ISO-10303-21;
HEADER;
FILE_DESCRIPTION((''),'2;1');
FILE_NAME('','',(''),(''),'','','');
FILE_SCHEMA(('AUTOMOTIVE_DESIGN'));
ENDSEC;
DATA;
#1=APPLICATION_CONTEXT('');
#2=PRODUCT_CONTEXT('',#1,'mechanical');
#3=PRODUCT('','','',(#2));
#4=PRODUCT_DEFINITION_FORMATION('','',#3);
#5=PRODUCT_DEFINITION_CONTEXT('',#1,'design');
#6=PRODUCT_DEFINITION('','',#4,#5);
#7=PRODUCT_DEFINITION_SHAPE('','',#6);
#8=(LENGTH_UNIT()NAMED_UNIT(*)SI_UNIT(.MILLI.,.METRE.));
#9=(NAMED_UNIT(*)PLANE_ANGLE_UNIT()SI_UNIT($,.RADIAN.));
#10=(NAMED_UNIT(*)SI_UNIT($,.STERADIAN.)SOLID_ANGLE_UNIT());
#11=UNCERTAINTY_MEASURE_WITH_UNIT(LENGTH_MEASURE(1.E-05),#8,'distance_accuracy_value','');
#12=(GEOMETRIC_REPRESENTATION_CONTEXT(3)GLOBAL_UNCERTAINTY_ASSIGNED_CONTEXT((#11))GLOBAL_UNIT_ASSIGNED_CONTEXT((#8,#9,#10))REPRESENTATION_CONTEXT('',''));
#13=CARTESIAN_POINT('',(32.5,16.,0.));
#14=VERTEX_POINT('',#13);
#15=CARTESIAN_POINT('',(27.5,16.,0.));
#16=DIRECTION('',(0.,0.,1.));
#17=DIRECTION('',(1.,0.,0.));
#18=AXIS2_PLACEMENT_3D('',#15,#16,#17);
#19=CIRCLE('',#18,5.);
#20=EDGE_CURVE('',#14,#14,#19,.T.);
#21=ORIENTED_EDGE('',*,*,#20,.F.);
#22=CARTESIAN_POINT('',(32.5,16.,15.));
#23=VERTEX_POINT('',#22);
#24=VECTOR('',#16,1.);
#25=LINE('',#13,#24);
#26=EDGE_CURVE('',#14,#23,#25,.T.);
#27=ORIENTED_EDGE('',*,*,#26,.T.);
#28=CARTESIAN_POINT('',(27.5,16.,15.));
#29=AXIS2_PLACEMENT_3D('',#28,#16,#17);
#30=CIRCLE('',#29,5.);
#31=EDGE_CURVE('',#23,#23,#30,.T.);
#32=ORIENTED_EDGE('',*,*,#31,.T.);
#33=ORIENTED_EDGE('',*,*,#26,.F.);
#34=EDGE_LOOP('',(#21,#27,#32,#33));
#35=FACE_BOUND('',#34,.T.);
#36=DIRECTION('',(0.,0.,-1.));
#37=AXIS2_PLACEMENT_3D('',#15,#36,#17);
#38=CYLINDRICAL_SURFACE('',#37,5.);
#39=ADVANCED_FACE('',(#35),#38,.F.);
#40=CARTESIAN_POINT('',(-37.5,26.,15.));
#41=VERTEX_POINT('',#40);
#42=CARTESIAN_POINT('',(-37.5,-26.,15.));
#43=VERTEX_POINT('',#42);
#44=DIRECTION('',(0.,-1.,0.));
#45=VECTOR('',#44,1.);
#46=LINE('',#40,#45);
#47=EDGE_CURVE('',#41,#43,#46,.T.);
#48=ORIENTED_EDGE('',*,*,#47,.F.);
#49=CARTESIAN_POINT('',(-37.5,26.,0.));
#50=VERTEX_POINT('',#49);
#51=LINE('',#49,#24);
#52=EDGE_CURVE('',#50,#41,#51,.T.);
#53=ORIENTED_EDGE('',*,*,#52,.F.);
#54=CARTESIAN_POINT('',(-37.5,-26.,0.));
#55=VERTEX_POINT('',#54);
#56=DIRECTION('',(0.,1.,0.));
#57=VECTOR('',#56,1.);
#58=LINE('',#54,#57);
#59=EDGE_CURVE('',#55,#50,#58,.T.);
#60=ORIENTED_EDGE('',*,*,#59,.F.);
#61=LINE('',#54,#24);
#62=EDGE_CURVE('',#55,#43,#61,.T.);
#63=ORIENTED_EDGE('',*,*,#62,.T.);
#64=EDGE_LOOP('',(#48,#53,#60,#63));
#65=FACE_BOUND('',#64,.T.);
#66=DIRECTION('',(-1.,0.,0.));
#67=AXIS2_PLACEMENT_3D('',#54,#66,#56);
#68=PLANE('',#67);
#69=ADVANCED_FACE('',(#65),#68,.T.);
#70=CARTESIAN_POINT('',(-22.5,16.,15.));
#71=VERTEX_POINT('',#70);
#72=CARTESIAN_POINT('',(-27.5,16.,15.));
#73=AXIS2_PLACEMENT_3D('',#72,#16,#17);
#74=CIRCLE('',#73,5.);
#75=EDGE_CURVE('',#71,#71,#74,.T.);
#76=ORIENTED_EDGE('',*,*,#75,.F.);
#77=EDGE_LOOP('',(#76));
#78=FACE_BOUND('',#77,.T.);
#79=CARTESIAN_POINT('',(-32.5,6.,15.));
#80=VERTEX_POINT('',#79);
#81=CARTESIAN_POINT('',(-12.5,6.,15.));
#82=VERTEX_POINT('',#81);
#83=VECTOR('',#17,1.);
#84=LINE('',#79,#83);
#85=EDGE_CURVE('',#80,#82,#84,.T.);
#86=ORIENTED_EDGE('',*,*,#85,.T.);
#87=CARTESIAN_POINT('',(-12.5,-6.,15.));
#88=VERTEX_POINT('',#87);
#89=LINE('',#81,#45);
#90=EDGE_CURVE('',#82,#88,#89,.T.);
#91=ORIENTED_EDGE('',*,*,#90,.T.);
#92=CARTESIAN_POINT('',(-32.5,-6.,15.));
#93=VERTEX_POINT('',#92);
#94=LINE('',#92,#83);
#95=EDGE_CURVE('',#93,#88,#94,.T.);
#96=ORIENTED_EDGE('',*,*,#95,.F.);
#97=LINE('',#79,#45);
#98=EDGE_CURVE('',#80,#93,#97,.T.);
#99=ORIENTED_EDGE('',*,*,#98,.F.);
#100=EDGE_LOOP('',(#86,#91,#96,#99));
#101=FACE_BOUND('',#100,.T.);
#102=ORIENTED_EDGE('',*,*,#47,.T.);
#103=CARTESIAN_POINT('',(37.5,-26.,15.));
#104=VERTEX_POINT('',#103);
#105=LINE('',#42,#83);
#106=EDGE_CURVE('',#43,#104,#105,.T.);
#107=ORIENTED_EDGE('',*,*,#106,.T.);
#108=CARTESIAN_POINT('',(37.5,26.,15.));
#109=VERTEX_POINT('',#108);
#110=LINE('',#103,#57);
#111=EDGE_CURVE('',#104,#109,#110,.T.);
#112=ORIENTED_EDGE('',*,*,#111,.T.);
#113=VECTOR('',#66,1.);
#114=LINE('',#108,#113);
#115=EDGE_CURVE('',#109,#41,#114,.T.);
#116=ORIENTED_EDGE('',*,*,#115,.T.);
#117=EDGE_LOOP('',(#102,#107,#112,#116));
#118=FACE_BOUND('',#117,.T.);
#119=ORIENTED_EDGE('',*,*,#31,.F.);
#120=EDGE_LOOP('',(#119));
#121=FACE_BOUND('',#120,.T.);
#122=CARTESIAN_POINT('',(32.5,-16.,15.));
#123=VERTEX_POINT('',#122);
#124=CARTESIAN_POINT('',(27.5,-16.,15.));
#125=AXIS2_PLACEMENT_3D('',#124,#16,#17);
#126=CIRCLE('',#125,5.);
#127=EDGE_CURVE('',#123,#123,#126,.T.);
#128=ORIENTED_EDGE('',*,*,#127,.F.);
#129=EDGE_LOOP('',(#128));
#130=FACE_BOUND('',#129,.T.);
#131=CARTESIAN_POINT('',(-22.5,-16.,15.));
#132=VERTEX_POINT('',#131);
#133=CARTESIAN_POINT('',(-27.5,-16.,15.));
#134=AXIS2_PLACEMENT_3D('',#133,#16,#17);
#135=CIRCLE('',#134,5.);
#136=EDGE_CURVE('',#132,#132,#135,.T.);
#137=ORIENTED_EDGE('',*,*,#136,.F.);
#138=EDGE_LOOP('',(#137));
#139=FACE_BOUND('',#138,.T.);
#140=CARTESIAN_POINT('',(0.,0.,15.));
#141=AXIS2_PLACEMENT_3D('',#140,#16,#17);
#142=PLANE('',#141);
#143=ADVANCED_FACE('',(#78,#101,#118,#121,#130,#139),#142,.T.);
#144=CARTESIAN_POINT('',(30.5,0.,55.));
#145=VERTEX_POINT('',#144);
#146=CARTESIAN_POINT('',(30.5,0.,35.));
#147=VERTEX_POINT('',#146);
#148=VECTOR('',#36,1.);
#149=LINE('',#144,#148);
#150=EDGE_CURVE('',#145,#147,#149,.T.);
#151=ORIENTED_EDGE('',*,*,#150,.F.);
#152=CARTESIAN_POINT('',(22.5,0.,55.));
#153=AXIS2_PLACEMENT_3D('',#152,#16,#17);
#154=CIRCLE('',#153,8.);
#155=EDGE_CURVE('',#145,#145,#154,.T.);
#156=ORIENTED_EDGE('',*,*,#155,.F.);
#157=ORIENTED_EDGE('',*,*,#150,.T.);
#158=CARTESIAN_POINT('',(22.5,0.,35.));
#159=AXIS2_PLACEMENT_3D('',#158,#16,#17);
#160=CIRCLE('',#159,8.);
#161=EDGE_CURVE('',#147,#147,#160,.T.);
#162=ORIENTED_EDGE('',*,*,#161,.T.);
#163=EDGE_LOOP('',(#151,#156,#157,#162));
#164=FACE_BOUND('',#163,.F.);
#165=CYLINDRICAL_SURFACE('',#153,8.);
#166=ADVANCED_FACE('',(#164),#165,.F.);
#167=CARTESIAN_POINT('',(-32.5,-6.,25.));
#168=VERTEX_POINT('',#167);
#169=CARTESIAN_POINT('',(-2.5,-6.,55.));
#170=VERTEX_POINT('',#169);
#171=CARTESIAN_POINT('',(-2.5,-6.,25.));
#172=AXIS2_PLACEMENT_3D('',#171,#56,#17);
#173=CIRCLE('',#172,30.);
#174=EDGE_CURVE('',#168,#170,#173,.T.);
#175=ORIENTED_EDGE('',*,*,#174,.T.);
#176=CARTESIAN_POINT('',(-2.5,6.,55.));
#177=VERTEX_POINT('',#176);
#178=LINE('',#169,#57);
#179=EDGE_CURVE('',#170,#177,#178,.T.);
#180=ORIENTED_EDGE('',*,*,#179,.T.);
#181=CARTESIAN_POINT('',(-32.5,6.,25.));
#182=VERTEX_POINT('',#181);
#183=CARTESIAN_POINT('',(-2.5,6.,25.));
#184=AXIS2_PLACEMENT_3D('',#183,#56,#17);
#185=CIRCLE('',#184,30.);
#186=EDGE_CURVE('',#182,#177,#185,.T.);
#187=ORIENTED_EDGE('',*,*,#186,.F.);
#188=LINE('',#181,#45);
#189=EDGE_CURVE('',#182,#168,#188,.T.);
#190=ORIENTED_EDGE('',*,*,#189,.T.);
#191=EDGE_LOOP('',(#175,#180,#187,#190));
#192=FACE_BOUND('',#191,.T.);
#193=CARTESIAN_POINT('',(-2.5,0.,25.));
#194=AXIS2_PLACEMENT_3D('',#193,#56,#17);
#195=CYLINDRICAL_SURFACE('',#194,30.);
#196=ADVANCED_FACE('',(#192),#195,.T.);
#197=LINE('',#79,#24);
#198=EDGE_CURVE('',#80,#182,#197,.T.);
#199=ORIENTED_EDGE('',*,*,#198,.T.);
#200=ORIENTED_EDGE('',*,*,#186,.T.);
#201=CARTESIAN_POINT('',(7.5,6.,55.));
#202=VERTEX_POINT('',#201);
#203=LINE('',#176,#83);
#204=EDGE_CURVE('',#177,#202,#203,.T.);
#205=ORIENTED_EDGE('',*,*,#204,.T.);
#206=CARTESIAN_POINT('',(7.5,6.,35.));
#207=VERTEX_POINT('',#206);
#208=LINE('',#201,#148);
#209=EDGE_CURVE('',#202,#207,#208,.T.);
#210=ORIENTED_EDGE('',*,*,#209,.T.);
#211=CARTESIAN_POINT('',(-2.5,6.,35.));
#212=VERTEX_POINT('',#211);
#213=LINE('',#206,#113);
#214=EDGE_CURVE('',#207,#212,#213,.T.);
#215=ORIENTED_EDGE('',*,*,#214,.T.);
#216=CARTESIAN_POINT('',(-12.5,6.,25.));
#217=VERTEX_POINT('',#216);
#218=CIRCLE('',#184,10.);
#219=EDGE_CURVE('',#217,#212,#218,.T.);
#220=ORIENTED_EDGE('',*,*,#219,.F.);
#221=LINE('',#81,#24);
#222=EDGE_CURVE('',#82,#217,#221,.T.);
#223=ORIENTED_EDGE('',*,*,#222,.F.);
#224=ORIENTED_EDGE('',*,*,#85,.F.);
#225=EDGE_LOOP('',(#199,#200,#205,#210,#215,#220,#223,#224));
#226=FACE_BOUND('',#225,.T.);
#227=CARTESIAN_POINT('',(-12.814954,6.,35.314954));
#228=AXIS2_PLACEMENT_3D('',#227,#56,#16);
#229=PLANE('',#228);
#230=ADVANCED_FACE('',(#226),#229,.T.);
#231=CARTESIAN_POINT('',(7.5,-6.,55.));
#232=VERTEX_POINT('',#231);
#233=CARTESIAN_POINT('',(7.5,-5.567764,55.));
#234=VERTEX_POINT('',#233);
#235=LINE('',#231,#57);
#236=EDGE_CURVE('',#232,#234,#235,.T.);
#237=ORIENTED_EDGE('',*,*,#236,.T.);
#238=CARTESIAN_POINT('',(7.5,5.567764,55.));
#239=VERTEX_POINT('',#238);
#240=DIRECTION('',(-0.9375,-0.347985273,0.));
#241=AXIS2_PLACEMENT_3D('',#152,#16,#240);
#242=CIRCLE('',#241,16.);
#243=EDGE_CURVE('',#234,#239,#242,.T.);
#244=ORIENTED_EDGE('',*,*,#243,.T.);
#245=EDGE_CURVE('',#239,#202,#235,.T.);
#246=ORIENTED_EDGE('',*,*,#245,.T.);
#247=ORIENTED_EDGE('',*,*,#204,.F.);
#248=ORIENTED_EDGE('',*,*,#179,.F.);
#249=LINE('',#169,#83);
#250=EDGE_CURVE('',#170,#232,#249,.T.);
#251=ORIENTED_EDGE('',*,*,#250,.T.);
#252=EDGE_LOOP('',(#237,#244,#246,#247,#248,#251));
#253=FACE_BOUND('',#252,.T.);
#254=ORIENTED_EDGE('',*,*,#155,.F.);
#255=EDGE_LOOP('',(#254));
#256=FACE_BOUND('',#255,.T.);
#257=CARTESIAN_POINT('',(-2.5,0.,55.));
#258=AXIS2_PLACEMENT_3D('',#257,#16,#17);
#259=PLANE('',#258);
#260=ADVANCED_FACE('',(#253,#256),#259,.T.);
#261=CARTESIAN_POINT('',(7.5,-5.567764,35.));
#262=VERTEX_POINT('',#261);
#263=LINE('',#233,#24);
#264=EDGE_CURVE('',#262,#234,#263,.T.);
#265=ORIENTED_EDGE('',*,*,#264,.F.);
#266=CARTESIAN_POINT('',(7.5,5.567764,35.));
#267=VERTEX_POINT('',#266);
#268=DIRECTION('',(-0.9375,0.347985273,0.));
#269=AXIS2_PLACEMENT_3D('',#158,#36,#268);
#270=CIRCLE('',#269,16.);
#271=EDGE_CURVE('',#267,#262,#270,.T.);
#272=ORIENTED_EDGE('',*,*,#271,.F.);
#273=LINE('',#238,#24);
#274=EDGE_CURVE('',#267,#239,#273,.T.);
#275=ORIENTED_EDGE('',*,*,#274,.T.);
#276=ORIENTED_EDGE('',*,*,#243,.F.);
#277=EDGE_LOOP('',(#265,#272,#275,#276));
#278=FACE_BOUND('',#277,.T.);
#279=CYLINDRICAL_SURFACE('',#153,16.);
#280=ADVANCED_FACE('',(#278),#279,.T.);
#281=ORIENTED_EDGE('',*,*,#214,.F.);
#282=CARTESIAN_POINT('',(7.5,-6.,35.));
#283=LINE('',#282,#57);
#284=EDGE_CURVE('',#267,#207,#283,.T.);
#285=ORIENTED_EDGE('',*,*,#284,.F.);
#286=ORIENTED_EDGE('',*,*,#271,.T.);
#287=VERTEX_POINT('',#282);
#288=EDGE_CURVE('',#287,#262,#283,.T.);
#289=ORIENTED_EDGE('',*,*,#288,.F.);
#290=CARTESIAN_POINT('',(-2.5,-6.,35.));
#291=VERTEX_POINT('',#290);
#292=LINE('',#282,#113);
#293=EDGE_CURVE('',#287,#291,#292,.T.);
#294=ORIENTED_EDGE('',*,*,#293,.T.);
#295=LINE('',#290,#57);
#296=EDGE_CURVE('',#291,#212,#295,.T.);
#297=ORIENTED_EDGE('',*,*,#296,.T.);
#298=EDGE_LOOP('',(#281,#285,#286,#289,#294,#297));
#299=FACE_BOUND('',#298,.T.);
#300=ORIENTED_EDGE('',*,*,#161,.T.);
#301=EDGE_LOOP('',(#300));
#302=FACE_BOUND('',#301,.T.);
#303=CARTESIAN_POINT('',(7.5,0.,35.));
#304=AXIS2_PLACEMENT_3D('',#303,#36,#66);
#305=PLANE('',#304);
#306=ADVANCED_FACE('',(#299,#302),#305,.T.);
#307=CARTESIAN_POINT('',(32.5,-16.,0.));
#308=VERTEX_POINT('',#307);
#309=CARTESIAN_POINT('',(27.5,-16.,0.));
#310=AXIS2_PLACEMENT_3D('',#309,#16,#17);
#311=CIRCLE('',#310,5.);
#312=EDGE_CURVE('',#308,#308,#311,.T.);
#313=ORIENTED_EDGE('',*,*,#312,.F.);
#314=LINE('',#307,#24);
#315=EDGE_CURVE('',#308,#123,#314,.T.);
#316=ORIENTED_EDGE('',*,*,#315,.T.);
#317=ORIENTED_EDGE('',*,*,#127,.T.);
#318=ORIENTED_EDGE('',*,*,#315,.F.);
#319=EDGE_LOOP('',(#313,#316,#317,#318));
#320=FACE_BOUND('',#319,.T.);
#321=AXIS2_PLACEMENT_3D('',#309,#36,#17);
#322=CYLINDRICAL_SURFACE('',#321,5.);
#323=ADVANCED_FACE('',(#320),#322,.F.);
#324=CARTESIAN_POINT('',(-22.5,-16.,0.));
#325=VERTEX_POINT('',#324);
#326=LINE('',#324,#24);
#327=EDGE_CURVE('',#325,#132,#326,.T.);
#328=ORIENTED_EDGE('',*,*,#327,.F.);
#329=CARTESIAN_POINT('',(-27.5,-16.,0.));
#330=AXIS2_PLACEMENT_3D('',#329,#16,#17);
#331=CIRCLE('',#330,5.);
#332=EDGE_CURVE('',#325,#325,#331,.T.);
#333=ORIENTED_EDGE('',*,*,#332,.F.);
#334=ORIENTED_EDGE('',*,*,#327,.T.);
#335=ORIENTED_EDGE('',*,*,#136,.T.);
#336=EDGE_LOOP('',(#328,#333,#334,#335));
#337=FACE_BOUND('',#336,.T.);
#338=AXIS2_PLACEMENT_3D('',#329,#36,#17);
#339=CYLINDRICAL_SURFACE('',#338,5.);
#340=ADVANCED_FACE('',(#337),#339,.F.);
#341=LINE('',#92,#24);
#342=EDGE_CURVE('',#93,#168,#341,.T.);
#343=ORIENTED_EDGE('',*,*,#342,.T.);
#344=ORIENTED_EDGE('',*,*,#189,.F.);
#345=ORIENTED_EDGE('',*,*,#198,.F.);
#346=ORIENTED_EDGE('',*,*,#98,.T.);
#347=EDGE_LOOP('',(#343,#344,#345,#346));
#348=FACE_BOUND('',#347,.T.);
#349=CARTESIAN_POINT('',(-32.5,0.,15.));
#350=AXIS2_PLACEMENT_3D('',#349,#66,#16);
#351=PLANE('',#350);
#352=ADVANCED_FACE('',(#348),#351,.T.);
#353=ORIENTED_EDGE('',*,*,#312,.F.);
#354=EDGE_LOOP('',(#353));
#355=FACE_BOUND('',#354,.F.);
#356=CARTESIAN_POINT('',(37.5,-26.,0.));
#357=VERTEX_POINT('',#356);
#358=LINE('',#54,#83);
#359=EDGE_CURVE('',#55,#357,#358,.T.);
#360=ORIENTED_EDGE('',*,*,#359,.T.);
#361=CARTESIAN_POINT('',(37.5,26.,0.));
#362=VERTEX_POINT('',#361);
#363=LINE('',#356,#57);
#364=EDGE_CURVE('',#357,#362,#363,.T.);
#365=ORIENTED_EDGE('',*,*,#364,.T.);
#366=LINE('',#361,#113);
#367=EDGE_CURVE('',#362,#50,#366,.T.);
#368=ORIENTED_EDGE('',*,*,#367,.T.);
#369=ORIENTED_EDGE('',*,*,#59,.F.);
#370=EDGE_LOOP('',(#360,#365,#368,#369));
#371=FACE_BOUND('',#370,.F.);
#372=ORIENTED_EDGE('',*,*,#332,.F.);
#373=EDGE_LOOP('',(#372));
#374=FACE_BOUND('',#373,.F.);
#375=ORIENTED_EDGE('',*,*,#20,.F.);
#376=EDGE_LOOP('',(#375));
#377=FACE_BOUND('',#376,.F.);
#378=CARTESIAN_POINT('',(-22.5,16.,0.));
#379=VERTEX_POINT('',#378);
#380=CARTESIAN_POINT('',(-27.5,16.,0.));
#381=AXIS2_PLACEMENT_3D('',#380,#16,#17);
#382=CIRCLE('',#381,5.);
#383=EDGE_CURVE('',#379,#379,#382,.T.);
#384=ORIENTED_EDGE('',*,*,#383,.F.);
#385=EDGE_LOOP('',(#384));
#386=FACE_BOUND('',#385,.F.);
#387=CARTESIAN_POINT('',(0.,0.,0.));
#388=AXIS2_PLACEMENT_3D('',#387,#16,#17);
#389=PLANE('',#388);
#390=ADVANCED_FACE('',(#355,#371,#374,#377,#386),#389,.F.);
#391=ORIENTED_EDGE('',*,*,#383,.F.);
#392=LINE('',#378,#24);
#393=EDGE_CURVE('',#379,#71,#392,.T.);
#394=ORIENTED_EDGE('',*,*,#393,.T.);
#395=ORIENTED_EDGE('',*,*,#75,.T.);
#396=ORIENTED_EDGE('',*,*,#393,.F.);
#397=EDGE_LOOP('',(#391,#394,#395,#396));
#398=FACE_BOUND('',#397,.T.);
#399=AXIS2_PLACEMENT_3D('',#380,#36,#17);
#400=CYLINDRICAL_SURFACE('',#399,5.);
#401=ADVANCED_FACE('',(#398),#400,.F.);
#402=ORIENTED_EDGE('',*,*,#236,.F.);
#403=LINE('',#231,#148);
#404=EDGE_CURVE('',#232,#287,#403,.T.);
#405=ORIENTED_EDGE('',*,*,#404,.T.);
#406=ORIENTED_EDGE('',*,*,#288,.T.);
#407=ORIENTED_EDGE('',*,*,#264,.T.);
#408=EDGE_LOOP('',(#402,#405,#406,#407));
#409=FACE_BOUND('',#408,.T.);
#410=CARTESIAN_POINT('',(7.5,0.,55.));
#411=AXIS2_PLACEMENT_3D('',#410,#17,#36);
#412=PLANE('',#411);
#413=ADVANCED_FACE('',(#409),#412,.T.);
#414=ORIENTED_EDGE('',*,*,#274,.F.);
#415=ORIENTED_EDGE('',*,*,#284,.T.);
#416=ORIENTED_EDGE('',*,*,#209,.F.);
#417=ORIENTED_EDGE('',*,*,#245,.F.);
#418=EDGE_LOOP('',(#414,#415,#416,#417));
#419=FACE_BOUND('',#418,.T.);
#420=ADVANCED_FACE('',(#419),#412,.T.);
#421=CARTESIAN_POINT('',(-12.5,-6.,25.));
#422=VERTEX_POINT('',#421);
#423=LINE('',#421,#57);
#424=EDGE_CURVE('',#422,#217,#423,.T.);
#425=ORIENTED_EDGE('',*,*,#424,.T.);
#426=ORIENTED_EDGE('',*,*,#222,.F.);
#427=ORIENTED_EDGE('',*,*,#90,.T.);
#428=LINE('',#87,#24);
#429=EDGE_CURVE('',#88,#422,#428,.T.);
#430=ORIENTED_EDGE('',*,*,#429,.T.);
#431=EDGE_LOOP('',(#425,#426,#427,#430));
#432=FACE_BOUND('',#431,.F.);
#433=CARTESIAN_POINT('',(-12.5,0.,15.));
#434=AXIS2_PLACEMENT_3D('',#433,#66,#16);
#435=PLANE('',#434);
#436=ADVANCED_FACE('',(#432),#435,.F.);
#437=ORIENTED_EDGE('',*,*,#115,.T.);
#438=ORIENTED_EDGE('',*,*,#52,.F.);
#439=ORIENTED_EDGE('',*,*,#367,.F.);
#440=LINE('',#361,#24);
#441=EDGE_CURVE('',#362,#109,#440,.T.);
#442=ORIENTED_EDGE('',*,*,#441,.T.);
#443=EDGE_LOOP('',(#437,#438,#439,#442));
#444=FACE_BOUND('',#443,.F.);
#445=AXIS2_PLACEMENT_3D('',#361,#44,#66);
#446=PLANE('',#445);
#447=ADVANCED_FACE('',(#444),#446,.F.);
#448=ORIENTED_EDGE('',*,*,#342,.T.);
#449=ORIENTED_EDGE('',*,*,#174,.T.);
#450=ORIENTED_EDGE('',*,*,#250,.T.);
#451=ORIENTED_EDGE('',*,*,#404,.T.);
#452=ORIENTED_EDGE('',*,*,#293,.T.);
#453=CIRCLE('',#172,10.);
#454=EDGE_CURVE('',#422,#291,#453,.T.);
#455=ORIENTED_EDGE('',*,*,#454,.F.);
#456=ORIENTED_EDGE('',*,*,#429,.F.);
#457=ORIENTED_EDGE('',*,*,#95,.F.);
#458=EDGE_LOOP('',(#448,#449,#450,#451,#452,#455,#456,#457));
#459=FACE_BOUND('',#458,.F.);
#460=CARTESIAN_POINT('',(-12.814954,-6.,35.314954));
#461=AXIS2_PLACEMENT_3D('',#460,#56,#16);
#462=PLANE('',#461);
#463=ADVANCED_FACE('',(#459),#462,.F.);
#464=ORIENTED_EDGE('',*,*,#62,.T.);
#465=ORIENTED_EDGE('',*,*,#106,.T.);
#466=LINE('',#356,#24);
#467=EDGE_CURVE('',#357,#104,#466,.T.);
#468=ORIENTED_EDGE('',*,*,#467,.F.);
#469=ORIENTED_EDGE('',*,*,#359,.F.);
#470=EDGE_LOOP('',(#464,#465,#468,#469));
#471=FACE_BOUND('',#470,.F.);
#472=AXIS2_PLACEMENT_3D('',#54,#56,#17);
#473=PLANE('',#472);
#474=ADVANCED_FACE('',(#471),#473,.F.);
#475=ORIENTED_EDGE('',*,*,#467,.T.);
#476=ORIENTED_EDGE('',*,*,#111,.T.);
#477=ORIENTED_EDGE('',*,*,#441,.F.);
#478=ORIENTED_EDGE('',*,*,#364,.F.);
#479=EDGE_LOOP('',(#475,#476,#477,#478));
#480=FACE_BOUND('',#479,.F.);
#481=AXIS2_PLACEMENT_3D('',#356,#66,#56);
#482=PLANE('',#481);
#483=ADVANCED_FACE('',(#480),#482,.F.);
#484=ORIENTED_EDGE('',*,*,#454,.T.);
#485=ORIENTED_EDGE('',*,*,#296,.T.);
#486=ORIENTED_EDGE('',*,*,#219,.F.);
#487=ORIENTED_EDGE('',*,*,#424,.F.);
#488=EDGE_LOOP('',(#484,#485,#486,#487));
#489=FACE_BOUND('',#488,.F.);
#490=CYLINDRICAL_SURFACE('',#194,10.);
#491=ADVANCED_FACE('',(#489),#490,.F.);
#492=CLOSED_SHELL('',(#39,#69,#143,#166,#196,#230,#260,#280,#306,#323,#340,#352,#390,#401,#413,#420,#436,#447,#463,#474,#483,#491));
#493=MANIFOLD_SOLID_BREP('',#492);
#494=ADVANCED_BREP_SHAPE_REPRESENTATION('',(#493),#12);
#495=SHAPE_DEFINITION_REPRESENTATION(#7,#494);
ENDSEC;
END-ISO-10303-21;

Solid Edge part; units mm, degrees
sketch "Sketch1" plane through (0, 0, 0) normal (0, 0, 1) x (1, 0, 0)
  line L0 (37.5, -26) -> (37.5, 26)
  line L1 (37.5, 26) -> (-37.5, 26)
  line L2 (-37.5, 26) -> (-37.5, -16)
  line L3 (-37.5, -26) -> (-37.5, -16)
  line L4 (-37.5, -26) -> (37.5, -26)
  circle A0 centre (27.5, 16) radius 5
  circle A1 centre (27.5, -16) radius 5
  circle A2 centre (-27.5, -16) radius 5
  circle A3 centre (-27.5, 16) radius 5
extrude "Protrusion1" add sketch "Sketch1" along normal blind 15
sketch "Sketch2" plane through (0, 0, 0) normal (0, -1, 0) x (1, 0, 0)
  arc A0 (-32.5, 25) -> (-2.5, 55) centre (-2.5, 25) cw
  line L0 (-2.5, 55) -> (7.5, 55)
  line L1 (7.5, 55) -> (7.5, 35)
  line L2 (7.5, 35) -> (-2.5, 35)
  arc A1 (-12.5, 25) -> (-2.5, 35) centre (-2.5, 25) cw
  line L3 (-12.5, 15) -> (-12.5, 25)
  line L4 (-32.5, 15) -> (-12.5, 15)
  line L5 (-32.5, 15) -> (-32.5, 25)
extrude "ExtrudedProtrusion_2" add sketch "Sketch2" along normal mid plane 12
sketch "Sketch3" plane through (2.5, 0, 55) normal (0, 0, 1) x (1, 0, 0)
  circle A0 centre (20, 0) radius 8
  circle A1 centre (20, 0) radius 16
extrude "Protrusion2" add sketch "Sketch3" against normal up to vertex (20 mm away)
